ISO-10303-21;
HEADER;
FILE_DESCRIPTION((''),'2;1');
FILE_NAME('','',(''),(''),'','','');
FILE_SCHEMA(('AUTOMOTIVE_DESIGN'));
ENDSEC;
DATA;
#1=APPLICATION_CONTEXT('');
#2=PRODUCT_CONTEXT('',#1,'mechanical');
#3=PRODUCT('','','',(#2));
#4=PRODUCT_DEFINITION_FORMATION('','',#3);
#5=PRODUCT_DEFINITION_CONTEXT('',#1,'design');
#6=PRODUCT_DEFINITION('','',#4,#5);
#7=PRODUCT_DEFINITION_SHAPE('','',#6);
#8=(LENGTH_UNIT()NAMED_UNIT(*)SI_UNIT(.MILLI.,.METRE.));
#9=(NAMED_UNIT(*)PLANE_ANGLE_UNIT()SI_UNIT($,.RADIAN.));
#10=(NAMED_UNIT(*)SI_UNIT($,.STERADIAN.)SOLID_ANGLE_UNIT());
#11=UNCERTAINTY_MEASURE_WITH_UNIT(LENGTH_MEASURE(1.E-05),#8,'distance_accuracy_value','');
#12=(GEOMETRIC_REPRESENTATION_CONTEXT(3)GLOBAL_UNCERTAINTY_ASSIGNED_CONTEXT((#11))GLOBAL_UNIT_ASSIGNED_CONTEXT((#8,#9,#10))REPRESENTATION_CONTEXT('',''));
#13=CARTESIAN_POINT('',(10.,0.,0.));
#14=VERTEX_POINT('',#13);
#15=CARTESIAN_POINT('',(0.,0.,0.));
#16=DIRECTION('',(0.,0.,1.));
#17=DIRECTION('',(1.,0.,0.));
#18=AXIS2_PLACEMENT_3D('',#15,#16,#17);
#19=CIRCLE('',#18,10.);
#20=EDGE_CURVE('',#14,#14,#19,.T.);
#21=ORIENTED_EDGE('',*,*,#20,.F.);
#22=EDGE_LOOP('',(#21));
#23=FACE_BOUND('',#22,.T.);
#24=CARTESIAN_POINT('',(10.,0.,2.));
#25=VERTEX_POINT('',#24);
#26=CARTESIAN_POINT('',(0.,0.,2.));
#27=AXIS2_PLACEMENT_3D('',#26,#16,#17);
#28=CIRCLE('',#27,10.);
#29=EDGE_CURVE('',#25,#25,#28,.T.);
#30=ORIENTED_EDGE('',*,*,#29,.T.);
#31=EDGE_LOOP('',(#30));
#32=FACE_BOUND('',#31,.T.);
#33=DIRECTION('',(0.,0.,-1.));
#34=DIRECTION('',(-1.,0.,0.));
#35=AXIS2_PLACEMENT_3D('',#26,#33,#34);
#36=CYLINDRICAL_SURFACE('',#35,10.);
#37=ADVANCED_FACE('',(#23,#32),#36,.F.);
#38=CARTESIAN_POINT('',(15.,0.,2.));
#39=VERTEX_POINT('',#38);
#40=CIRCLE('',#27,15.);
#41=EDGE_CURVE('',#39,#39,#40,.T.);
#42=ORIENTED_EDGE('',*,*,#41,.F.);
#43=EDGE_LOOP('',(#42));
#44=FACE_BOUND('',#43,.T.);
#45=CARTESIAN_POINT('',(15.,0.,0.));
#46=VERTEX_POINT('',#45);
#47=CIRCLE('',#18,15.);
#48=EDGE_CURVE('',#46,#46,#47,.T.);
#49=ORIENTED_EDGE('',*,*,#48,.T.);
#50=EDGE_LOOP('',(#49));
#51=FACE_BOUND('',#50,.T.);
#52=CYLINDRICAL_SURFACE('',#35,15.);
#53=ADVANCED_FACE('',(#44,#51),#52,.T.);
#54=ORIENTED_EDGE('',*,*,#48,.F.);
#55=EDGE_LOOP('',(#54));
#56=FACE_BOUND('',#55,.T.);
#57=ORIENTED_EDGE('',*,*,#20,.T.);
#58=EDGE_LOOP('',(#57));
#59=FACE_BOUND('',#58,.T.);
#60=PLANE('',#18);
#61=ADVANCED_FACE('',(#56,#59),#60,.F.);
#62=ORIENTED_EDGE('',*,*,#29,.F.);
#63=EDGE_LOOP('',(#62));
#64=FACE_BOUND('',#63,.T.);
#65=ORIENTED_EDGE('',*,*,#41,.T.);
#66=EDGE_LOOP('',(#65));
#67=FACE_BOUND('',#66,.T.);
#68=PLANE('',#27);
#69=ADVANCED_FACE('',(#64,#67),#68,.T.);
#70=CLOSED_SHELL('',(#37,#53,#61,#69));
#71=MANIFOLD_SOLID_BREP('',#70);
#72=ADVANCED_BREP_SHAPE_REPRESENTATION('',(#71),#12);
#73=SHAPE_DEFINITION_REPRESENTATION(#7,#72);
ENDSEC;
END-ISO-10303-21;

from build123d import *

# Parameters (mm, degrees)
ESQUISSE1_R          = 15
ESQUISSE1_R_2        = 10
BASE_EXTRUSION_DEPTH = 2


with BuildPart() as part:
    # Esquisse1 → Base-Extrusion (new body)
    with BuildSketch(Plane.XY):
        Circle(ESQUISSE1_R)
        Circle(ESQUISSE1_R_2, mode=Mode.SUBTRACT)
    extrude(amount=BASE_EXTRUSION_DEPTH)


solid = part.part
